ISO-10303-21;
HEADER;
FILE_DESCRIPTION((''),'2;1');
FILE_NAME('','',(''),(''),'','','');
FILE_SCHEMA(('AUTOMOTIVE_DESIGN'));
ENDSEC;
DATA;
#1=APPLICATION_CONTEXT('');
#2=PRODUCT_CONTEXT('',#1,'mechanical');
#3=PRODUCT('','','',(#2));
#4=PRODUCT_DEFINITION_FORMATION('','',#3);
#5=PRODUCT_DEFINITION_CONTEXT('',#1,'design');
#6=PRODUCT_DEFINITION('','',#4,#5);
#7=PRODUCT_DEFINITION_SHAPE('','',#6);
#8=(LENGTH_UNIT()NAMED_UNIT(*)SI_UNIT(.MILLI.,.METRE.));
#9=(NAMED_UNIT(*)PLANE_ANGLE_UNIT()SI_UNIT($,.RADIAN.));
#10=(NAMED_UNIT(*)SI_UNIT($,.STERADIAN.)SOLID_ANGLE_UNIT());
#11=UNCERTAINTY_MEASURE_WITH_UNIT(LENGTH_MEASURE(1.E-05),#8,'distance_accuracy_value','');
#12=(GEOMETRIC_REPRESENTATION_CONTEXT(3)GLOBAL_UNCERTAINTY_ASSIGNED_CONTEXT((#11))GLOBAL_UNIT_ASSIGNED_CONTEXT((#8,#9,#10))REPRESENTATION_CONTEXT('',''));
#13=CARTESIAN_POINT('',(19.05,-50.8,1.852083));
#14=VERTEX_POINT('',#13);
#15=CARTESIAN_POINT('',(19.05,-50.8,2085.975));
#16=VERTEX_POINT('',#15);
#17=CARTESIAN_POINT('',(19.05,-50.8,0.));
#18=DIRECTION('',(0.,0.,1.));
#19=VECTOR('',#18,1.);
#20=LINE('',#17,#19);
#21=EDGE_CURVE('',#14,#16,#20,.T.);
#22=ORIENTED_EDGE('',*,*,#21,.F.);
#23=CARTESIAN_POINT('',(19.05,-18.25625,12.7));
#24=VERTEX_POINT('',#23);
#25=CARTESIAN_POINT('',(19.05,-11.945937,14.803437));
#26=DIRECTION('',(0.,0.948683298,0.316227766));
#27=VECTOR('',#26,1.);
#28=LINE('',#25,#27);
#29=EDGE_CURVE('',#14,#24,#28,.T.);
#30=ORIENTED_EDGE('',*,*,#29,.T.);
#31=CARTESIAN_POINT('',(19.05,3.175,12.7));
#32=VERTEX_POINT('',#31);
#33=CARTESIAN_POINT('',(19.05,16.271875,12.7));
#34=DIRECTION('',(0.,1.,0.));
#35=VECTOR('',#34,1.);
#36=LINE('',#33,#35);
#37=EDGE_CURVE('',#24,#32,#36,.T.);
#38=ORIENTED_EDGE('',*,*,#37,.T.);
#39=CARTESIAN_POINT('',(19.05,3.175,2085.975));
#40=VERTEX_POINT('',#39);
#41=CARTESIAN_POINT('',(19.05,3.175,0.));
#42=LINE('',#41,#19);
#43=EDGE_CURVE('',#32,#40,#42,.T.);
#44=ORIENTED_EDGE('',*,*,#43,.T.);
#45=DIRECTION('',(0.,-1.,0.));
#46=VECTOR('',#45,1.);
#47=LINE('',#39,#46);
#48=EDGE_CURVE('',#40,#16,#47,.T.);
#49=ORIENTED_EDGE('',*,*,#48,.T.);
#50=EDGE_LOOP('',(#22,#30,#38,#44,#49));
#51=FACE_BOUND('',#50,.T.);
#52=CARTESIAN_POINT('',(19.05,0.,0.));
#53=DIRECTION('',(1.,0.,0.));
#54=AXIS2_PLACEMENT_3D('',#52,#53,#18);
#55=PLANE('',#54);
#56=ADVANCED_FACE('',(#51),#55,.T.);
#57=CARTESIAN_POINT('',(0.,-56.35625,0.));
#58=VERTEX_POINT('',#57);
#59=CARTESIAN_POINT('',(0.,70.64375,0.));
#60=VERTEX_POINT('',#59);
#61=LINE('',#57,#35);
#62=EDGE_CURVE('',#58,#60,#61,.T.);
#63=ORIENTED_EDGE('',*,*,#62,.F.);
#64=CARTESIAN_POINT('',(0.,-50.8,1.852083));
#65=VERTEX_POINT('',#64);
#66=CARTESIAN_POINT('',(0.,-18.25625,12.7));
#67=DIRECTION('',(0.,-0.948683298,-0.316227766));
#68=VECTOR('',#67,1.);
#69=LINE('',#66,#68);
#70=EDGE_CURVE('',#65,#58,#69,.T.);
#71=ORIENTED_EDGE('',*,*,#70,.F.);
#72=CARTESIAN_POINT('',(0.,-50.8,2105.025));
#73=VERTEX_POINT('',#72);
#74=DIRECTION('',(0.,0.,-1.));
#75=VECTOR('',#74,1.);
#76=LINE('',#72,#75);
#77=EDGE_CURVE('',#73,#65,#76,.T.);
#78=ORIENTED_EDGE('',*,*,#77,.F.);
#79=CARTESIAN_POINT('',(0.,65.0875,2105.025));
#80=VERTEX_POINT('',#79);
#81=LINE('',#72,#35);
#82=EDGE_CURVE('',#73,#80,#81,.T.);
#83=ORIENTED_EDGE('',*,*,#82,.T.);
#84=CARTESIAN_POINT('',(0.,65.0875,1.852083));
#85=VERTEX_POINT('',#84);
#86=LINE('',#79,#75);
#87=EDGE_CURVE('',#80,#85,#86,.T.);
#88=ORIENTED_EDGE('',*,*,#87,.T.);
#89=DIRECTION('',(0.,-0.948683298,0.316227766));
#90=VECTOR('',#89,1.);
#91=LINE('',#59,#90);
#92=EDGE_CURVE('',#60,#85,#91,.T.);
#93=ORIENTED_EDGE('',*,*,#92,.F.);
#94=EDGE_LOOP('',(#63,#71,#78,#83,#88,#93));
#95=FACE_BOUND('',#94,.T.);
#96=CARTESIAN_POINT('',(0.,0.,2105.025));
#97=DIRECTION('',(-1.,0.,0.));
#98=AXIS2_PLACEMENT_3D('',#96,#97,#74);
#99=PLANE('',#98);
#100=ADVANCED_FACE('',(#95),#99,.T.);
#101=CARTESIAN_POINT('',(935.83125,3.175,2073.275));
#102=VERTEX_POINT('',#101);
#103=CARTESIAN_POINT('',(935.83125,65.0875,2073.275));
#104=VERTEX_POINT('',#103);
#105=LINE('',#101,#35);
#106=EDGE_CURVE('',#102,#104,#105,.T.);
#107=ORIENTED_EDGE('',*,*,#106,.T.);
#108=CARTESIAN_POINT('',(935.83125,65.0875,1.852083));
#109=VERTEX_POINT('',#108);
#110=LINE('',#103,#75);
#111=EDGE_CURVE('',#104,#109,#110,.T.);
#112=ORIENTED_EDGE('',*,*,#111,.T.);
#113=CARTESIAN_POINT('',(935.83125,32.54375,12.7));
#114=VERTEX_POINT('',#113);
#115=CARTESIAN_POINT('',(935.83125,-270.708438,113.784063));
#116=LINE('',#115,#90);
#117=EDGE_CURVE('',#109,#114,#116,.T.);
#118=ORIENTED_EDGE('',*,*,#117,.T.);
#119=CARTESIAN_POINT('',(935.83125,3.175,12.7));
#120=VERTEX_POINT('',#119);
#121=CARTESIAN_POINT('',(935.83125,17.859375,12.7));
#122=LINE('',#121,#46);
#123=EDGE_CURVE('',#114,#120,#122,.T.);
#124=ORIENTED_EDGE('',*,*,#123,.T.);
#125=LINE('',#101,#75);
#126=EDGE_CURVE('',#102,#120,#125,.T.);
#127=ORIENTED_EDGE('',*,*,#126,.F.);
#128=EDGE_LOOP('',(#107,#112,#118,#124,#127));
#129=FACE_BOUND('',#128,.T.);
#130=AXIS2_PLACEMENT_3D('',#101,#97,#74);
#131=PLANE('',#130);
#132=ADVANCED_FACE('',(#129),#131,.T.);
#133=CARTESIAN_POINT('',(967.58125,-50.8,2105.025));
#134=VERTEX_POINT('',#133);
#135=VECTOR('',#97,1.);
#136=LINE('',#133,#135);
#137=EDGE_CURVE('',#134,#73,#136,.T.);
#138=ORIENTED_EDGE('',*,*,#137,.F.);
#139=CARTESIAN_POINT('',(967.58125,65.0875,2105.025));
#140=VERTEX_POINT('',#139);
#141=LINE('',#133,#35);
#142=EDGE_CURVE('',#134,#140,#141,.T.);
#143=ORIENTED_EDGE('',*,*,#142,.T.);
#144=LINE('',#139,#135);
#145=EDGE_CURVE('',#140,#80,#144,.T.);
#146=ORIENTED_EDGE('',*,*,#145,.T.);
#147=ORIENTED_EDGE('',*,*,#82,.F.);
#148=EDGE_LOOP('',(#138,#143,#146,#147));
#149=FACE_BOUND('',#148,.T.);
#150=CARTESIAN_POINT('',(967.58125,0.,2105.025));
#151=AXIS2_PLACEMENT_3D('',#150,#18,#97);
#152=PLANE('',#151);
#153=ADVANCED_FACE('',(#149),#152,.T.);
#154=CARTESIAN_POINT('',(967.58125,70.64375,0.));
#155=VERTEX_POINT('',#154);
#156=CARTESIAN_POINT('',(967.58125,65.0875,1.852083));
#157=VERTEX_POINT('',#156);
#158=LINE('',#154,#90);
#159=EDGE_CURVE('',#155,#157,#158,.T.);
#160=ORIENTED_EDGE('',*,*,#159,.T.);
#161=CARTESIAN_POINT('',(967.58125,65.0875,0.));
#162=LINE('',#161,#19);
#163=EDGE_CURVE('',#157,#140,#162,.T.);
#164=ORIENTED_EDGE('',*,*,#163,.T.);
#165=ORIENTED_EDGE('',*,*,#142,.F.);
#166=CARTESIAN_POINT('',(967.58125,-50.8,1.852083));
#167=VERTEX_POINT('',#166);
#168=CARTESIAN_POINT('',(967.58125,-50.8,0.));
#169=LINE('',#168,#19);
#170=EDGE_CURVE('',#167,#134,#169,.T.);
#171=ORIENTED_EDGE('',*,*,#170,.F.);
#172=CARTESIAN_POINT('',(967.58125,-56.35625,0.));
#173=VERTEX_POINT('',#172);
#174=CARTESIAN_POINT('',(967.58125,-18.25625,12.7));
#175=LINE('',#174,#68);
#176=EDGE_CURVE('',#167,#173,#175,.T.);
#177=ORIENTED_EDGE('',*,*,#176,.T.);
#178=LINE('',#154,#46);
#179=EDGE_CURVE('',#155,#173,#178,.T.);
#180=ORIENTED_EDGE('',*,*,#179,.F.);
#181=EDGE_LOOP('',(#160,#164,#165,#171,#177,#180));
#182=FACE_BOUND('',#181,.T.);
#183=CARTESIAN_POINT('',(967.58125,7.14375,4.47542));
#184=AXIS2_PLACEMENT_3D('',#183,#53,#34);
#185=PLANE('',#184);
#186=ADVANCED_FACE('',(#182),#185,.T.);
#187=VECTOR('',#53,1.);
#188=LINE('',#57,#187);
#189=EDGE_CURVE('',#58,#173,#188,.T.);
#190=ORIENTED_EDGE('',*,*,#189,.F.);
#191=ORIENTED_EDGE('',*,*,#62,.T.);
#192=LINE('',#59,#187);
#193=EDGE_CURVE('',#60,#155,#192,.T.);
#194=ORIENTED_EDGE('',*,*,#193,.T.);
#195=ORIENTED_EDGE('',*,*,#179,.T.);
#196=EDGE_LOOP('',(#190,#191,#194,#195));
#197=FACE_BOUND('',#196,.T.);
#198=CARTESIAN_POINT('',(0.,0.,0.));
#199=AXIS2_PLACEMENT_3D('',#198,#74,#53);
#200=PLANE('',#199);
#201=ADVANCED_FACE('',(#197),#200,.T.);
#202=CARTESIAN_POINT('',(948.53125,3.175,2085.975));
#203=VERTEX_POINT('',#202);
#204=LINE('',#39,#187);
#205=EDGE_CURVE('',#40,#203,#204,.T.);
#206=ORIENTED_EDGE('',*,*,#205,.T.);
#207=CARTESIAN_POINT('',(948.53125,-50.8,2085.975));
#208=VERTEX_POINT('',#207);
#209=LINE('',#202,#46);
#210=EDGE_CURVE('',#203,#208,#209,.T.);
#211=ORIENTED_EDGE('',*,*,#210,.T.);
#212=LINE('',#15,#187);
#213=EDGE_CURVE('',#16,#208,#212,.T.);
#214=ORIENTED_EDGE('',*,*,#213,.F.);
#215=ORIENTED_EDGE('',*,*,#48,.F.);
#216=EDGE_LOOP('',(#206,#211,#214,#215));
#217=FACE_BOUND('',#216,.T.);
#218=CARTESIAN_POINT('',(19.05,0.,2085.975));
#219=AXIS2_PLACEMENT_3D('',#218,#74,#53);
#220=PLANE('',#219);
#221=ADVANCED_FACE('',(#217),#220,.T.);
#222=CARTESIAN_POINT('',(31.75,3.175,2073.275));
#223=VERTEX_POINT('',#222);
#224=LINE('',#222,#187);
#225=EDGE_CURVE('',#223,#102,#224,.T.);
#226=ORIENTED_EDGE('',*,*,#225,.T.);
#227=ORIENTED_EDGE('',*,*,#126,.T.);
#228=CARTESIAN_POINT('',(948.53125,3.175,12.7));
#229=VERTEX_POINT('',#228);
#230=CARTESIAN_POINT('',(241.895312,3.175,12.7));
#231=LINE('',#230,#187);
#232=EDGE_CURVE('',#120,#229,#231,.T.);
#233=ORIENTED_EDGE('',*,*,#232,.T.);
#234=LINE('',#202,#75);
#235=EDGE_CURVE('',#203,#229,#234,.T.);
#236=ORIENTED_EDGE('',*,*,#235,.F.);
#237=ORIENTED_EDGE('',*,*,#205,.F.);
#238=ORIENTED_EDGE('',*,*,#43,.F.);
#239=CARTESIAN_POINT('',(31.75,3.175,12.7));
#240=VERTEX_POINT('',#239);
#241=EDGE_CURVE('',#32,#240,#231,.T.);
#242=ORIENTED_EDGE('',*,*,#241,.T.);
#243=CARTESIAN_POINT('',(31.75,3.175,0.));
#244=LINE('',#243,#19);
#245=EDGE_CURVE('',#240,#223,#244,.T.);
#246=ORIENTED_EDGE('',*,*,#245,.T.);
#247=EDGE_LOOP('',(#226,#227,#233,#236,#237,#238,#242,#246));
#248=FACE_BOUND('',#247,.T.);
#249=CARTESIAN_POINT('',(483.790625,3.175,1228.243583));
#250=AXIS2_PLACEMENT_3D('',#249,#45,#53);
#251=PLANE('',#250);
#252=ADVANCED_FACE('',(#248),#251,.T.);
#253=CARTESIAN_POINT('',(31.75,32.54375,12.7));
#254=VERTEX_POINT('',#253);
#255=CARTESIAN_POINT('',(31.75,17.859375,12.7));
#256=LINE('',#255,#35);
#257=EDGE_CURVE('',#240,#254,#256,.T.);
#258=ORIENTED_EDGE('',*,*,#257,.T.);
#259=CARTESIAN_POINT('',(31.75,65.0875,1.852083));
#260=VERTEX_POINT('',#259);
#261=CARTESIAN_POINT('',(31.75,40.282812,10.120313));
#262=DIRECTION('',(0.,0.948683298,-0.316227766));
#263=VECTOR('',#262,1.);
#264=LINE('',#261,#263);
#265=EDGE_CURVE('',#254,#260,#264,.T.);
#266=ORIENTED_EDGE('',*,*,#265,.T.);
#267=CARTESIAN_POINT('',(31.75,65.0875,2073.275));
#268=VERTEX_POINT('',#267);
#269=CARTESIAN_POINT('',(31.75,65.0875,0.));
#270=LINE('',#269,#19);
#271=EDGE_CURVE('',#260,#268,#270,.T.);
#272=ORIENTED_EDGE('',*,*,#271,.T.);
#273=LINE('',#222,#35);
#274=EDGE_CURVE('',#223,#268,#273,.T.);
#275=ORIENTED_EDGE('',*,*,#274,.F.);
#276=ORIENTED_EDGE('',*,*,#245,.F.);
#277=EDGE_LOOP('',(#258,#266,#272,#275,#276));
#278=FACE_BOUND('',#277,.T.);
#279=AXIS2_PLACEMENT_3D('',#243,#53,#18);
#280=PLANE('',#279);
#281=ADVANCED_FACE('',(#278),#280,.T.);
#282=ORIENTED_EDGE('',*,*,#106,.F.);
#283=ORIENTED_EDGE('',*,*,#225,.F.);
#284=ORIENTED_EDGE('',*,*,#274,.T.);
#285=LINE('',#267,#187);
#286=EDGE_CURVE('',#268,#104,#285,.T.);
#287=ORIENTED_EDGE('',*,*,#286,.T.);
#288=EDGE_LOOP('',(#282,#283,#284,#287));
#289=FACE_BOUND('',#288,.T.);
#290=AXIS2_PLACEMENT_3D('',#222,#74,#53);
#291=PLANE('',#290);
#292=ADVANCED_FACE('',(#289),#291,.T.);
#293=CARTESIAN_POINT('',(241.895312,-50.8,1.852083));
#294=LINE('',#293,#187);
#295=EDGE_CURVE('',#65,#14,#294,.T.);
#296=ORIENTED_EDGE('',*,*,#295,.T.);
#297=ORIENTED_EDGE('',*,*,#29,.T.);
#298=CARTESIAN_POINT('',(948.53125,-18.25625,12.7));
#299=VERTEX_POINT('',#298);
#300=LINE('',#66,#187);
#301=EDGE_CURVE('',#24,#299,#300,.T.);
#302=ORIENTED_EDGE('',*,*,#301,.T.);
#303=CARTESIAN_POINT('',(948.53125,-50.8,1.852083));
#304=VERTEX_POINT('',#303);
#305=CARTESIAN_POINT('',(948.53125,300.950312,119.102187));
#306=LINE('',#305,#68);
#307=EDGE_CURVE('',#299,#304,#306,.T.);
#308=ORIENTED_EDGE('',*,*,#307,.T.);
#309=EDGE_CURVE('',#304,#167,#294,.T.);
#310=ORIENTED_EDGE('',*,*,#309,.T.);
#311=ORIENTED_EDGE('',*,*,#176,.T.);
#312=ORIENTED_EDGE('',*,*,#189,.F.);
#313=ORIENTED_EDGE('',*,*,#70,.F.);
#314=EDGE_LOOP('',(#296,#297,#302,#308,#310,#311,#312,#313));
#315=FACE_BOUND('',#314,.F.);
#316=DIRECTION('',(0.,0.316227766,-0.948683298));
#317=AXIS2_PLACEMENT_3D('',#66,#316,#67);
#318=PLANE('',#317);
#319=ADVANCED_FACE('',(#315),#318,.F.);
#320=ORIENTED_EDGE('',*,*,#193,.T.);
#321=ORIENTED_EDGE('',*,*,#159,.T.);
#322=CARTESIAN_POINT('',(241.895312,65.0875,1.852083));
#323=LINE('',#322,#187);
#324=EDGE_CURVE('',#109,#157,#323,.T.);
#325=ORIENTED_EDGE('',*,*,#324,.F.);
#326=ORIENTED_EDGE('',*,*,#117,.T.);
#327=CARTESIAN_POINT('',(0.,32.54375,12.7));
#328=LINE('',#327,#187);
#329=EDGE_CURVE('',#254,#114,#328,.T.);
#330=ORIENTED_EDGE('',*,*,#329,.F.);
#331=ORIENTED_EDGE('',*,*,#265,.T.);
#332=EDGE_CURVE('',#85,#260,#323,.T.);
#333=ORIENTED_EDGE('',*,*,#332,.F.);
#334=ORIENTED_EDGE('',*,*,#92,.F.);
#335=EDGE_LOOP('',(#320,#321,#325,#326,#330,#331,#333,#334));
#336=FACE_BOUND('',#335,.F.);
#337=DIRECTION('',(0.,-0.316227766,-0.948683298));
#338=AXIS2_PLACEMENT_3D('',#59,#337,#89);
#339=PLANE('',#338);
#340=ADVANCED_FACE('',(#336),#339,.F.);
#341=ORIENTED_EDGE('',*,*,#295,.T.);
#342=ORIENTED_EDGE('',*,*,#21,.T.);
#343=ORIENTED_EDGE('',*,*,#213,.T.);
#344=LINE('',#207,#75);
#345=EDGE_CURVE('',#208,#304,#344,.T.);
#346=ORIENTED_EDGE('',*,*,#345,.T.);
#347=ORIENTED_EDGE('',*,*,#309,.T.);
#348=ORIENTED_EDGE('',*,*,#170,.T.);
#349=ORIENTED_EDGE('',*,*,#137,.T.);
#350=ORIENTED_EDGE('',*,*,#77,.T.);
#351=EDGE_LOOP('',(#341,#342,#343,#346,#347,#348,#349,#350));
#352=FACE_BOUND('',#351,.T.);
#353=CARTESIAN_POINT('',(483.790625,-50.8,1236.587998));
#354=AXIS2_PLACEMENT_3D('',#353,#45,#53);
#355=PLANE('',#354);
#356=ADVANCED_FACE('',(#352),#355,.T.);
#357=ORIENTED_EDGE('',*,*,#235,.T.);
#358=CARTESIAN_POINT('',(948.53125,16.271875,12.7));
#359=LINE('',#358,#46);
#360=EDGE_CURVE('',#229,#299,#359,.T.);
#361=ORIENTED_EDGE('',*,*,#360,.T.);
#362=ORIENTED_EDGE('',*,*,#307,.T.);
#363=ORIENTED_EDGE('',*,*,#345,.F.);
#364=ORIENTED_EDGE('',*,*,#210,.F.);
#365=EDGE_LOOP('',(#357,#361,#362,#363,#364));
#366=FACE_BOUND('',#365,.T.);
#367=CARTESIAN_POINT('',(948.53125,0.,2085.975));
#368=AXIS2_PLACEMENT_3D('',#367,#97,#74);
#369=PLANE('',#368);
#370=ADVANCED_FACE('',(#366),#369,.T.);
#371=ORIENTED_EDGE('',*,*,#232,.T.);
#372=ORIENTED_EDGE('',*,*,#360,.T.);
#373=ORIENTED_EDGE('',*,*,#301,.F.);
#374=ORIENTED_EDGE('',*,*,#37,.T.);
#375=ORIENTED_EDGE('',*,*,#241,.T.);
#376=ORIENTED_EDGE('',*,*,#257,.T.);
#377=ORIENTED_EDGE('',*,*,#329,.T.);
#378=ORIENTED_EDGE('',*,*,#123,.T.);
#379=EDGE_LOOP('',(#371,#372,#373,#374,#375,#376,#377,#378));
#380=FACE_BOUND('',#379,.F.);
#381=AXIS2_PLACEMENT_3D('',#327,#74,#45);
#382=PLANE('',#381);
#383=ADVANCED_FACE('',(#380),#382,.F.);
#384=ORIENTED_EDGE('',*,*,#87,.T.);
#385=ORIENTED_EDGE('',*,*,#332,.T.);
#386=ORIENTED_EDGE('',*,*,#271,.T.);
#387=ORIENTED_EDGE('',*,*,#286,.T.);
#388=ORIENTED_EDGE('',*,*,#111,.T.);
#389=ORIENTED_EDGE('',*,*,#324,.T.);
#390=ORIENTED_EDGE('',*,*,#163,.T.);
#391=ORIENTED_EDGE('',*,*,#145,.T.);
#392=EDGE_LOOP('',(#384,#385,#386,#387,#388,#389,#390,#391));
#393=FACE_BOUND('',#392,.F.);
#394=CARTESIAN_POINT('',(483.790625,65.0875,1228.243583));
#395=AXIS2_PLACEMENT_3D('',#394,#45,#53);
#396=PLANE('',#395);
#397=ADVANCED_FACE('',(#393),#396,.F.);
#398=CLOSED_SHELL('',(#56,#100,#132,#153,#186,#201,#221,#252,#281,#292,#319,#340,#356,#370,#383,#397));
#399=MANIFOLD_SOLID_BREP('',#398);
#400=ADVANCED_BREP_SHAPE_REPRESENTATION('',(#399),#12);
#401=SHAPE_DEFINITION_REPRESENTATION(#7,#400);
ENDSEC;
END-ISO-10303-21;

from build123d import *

# Parameters (mm, degrees)
F3_DEPTH      = 61.9125
F5_DEPTH      = 50.8
F5_DEPTH_BACK = 3.175
F7_DEPTH      = 967.58125


with BuildPart() as f3:
    # F2 (on offset) → F3 (new body)
    with BuildSketch(Plane.XZ.offset(-3.175)):
        Polygon((0, 2085.975), (0, 0), (19.05, 0), (31.75, 0), (31.75, 2073.275), (935.83125, 2073.275), (935.83125, 0), (948.53125, 0), (967.58125, 0), (967.58125, 2105.025), (0, 2105.025), align=None)
    extrude(amount=-F3_DEPTH)

    # F4 (on Front) → F5 (join, two sides)
    with BuildSketch(Plane.XZ) as f5_sk:
        Polygon((0, 2085.975), (0, 0), (19.05, 0), (19.05, 2073.275), (19.05, 2085.975), (948.53125, 2085.975), (948.53125, 0), (967.58125, 0), (967.58125, 2105.025), (0, 2105.025), align=None)
    extrude(amount=F5_DEPTH)
    extrude(f5_sk.sketch, amount=-F5_DEPTH_BACK)

    # F6 (on Right) → F7 (join, through all)
    with BuildSketch(Plane.YZ):
        Polygon((32.54375, 12.7), (-18.25625, 12.7), (-56.35625, 0), (-50.8, 0), (7.14375, 0), (65.0875, 0), (70.64375, 0), align=None)
    extrude(amount=F7_DEPTH)


solid = f3.part
